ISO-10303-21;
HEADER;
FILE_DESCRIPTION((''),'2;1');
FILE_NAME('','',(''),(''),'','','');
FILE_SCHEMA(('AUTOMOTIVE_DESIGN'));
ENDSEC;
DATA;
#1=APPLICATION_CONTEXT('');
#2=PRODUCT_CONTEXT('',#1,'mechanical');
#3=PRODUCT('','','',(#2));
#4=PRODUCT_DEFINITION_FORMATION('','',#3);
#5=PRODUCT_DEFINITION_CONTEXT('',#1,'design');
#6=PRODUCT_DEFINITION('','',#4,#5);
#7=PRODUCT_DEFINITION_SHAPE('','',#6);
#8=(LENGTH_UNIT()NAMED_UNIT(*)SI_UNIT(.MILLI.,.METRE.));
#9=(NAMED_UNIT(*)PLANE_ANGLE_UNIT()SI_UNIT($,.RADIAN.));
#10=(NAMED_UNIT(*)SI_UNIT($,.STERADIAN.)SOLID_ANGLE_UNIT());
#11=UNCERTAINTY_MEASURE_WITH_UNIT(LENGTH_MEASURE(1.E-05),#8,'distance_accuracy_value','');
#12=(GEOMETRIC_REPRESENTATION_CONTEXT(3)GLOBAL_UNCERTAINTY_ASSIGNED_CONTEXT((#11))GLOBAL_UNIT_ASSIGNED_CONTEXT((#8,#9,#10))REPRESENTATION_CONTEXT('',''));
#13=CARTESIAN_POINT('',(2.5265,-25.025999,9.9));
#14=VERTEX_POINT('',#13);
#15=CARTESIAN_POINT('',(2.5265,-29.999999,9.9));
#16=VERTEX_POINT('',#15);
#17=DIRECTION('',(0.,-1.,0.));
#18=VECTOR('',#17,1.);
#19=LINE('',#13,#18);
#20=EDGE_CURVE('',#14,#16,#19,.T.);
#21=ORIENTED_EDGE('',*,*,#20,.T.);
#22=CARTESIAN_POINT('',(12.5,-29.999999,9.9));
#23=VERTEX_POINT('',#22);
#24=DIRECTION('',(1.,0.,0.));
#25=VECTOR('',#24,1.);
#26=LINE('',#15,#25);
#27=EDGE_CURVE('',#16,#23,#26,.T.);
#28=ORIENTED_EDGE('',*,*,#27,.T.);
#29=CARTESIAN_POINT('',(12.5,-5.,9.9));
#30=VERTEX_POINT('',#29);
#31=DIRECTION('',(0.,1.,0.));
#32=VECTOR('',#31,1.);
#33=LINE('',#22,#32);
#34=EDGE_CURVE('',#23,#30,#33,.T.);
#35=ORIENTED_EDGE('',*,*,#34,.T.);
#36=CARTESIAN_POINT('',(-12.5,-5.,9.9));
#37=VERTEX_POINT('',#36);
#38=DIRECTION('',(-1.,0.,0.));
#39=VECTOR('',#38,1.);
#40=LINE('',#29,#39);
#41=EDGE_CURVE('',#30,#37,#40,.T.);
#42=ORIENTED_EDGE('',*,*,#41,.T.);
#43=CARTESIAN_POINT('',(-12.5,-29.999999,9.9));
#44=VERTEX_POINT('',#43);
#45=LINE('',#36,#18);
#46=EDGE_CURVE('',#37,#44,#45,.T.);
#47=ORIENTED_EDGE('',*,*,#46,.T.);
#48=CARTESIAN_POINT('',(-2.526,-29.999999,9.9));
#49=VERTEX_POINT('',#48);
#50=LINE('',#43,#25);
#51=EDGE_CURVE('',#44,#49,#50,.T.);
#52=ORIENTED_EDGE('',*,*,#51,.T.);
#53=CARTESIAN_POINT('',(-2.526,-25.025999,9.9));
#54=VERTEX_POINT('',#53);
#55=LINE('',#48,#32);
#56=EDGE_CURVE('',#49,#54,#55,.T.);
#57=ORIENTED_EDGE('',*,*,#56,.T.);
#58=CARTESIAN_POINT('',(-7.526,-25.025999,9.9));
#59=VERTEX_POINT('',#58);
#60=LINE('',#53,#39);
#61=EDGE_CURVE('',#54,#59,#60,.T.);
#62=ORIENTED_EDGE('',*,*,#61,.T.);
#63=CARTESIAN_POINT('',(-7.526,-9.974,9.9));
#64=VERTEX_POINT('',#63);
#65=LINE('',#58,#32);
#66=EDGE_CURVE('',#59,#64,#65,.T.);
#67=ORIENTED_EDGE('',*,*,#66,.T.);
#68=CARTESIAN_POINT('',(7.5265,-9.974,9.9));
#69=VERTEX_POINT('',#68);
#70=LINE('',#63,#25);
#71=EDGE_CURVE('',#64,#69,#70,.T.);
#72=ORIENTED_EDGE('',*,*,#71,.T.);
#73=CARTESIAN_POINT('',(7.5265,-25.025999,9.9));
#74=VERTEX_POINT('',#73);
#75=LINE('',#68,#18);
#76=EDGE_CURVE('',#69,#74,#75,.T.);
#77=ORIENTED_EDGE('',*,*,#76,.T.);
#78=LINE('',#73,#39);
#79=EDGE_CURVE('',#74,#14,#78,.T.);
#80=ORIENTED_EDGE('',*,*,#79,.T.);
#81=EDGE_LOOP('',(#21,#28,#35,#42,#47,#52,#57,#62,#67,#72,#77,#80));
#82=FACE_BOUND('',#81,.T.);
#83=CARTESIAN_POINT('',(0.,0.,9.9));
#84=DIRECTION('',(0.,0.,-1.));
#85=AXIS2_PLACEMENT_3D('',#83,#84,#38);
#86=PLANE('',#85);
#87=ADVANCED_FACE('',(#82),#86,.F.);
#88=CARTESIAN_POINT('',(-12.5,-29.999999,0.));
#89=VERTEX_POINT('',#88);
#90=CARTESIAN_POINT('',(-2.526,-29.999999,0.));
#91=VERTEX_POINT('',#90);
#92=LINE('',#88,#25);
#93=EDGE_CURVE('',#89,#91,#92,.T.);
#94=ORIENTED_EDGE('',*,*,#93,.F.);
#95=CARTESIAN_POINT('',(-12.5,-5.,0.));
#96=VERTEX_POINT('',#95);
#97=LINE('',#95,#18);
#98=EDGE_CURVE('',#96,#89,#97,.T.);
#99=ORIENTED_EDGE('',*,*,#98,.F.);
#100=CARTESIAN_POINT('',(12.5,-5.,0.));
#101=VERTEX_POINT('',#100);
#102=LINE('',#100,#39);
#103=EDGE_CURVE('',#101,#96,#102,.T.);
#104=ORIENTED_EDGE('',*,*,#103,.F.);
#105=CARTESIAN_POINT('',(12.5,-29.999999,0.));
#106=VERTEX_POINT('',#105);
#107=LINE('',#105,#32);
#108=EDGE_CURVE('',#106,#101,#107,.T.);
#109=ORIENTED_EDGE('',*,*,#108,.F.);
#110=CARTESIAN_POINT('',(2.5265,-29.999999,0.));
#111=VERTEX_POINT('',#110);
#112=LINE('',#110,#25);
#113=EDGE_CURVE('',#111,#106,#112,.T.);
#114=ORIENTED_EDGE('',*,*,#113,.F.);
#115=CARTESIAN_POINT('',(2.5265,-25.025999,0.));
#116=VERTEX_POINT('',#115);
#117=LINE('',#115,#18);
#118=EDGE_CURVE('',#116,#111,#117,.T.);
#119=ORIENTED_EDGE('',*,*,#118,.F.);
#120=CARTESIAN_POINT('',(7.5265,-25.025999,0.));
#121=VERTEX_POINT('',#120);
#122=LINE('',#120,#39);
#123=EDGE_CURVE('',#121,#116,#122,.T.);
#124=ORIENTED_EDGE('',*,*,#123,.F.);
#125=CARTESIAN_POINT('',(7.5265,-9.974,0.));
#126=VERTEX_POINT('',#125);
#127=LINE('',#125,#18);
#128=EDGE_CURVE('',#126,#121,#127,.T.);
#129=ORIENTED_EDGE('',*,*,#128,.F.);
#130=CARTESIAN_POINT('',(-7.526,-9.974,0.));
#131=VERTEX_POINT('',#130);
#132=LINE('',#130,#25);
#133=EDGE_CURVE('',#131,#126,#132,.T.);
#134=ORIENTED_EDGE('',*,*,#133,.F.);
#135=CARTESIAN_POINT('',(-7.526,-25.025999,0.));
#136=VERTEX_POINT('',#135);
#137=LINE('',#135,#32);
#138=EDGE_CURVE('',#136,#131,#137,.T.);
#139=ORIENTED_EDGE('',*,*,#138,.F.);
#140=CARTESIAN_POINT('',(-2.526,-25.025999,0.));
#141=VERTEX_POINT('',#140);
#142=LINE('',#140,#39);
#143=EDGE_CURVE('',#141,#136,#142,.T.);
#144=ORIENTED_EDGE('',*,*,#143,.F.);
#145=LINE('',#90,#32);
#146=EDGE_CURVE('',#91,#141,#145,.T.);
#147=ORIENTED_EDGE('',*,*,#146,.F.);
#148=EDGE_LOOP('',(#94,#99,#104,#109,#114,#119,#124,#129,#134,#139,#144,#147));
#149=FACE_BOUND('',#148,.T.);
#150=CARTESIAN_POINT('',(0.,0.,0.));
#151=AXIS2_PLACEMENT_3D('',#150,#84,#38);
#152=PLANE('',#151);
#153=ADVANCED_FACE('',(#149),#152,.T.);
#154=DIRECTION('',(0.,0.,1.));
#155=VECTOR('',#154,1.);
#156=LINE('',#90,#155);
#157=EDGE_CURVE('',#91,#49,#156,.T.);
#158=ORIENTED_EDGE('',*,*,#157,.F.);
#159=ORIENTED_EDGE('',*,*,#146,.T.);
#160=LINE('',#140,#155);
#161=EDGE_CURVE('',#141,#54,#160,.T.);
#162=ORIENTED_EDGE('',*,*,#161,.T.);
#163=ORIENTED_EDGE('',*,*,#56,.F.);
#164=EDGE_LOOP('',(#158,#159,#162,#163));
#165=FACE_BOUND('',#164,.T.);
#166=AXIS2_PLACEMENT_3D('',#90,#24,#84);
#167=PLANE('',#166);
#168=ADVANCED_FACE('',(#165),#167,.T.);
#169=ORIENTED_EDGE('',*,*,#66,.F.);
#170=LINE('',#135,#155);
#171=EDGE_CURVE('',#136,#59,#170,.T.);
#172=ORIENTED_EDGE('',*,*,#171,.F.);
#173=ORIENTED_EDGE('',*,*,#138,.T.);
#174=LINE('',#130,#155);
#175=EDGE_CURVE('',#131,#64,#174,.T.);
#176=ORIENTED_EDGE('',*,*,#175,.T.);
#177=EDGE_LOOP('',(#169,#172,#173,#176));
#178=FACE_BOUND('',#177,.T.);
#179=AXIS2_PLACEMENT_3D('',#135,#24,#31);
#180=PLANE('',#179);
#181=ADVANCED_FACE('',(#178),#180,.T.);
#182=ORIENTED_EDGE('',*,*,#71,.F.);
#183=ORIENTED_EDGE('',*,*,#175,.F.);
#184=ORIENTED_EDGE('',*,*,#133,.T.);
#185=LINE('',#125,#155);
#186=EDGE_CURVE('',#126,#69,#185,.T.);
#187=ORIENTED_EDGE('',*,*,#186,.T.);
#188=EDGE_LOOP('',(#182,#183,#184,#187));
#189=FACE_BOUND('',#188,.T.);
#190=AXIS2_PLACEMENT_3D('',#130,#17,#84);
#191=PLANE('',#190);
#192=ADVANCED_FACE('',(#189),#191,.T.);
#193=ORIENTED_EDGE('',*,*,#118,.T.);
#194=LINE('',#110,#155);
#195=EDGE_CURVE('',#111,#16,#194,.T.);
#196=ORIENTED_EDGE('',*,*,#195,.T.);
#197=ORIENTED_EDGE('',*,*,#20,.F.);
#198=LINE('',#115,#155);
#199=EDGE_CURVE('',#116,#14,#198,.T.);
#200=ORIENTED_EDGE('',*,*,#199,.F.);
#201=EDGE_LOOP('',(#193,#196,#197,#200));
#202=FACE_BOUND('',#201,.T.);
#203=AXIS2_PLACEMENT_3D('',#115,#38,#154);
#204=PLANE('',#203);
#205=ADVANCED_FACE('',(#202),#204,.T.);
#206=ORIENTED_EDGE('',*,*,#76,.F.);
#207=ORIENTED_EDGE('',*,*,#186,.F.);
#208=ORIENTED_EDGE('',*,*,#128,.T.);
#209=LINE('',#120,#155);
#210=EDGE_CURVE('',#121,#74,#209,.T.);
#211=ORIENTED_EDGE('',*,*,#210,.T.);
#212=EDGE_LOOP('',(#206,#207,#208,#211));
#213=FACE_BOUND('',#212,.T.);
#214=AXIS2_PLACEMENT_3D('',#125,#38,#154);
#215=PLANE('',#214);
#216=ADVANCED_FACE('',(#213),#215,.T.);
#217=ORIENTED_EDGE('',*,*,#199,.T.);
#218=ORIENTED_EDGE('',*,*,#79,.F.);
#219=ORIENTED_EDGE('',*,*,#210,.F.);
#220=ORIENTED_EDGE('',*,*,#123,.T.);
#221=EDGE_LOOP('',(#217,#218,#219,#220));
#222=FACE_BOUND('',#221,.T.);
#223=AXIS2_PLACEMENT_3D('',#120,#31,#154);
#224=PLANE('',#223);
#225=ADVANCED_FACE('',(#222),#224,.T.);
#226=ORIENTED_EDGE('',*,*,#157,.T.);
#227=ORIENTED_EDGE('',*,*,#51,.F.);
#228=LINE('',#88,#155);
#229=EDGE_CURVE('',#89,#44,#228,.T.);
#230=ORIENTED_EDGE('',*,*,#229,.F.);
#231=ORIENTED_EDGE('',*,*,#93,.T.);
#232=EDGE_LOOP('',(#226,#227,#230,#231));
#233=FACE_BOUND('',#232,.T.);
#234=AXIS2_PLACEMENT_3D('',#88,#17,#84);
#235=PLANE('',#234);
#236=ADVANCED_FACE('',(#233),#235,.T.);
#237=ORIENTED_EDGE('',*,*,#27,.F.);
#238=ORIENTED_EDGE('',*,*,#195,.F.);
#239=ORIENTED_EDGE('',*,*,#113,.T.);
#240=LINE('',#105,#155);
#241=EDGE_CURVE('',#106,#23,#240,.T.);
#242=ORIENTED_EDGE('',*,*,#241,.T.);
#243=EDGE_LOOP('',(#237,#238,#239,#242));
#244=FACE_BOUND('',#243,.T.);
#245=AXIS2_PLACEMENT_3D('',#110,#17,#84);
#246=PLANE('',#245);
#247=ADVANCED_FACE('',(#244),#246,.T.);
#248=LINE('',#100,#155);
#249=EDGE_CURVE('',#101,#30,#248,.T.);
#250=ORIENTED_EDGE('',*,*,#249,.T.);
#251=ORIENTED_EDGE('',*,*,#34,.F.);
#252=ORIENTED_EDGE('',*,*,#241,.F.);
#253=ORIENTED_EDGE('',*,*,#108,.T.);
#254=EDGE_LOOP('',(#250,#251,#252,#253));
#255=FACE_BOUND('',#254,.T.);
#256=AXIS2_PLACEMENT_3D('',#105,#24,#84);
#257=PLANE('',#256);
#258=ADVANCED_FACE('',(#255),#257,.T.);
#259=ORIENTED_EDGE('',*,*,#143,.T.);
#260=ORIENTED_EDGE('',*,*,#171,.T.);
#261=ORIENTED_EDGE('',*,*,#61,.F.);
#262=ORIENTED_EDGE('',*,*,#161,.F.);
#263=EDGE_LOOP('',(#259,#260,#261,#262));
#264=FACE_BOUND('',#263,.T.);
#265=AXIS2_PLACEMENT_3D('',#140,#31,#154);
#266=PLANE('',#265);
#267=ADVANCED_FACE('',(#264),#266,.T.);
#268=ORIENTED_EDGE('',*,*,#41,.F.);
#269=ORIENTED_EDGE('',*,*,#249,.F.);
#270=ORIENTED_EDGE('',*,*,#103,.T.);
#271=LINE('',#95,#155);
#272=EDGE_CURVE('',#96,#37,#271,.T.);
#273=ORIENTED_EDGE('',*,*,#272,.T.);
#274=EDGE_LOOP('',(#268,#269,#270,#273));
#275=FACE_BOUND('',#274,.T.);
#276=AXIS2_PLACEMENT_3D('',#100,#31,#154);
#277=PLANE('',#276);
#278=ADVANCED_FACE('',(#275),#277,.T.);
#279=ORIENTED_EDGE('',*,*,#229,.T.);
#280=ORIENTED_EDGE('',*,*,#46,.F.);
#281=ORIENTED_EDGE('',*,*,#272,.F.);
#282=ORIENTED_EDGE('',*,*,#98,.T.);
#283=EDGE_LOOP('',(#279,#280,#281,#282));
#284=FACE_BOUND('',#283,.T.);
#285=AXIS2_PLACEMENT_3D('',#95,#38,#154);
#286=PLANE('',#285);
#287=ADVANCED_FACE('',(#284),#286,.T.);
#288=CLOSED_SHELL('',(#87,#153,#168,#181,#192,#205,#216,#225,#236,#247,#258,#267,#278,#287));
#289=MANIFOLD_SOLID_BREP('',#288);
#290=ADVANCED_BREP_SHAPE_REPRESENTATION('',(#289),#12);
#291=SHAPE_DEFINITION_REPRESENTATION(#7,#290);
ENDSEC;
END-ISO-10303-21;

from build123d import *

# Parameters (mm, degrees)
BOSS_EXTRUDE1_DEPTH = 9.899999946


with BuildPart() as part:
    # Sketch1 → Boss-Extrude1 (new body)
    with BuildSketch(Plane.XY.offset(9.899999946)):
        Polygon((-7.525999918, -25.025998801), (-7.525999918, -9.973999896), (7.526500038, -9.973999896), (7.526500038, -25.025998801), (2.526499992, -25.025998801), (2.526499992, -29.999998882), (12.5, -29.999998882), (12.5, -4.999999814), (-12.5, -4.999999814), (-12.5, -29.999998882), (-2.525999872, -29.999998882), (-2.525999872, -25.025998801), align=None)
    extrude(amount=-BOSS_EXTRUDE1_DEPTH)


solid = part.part
